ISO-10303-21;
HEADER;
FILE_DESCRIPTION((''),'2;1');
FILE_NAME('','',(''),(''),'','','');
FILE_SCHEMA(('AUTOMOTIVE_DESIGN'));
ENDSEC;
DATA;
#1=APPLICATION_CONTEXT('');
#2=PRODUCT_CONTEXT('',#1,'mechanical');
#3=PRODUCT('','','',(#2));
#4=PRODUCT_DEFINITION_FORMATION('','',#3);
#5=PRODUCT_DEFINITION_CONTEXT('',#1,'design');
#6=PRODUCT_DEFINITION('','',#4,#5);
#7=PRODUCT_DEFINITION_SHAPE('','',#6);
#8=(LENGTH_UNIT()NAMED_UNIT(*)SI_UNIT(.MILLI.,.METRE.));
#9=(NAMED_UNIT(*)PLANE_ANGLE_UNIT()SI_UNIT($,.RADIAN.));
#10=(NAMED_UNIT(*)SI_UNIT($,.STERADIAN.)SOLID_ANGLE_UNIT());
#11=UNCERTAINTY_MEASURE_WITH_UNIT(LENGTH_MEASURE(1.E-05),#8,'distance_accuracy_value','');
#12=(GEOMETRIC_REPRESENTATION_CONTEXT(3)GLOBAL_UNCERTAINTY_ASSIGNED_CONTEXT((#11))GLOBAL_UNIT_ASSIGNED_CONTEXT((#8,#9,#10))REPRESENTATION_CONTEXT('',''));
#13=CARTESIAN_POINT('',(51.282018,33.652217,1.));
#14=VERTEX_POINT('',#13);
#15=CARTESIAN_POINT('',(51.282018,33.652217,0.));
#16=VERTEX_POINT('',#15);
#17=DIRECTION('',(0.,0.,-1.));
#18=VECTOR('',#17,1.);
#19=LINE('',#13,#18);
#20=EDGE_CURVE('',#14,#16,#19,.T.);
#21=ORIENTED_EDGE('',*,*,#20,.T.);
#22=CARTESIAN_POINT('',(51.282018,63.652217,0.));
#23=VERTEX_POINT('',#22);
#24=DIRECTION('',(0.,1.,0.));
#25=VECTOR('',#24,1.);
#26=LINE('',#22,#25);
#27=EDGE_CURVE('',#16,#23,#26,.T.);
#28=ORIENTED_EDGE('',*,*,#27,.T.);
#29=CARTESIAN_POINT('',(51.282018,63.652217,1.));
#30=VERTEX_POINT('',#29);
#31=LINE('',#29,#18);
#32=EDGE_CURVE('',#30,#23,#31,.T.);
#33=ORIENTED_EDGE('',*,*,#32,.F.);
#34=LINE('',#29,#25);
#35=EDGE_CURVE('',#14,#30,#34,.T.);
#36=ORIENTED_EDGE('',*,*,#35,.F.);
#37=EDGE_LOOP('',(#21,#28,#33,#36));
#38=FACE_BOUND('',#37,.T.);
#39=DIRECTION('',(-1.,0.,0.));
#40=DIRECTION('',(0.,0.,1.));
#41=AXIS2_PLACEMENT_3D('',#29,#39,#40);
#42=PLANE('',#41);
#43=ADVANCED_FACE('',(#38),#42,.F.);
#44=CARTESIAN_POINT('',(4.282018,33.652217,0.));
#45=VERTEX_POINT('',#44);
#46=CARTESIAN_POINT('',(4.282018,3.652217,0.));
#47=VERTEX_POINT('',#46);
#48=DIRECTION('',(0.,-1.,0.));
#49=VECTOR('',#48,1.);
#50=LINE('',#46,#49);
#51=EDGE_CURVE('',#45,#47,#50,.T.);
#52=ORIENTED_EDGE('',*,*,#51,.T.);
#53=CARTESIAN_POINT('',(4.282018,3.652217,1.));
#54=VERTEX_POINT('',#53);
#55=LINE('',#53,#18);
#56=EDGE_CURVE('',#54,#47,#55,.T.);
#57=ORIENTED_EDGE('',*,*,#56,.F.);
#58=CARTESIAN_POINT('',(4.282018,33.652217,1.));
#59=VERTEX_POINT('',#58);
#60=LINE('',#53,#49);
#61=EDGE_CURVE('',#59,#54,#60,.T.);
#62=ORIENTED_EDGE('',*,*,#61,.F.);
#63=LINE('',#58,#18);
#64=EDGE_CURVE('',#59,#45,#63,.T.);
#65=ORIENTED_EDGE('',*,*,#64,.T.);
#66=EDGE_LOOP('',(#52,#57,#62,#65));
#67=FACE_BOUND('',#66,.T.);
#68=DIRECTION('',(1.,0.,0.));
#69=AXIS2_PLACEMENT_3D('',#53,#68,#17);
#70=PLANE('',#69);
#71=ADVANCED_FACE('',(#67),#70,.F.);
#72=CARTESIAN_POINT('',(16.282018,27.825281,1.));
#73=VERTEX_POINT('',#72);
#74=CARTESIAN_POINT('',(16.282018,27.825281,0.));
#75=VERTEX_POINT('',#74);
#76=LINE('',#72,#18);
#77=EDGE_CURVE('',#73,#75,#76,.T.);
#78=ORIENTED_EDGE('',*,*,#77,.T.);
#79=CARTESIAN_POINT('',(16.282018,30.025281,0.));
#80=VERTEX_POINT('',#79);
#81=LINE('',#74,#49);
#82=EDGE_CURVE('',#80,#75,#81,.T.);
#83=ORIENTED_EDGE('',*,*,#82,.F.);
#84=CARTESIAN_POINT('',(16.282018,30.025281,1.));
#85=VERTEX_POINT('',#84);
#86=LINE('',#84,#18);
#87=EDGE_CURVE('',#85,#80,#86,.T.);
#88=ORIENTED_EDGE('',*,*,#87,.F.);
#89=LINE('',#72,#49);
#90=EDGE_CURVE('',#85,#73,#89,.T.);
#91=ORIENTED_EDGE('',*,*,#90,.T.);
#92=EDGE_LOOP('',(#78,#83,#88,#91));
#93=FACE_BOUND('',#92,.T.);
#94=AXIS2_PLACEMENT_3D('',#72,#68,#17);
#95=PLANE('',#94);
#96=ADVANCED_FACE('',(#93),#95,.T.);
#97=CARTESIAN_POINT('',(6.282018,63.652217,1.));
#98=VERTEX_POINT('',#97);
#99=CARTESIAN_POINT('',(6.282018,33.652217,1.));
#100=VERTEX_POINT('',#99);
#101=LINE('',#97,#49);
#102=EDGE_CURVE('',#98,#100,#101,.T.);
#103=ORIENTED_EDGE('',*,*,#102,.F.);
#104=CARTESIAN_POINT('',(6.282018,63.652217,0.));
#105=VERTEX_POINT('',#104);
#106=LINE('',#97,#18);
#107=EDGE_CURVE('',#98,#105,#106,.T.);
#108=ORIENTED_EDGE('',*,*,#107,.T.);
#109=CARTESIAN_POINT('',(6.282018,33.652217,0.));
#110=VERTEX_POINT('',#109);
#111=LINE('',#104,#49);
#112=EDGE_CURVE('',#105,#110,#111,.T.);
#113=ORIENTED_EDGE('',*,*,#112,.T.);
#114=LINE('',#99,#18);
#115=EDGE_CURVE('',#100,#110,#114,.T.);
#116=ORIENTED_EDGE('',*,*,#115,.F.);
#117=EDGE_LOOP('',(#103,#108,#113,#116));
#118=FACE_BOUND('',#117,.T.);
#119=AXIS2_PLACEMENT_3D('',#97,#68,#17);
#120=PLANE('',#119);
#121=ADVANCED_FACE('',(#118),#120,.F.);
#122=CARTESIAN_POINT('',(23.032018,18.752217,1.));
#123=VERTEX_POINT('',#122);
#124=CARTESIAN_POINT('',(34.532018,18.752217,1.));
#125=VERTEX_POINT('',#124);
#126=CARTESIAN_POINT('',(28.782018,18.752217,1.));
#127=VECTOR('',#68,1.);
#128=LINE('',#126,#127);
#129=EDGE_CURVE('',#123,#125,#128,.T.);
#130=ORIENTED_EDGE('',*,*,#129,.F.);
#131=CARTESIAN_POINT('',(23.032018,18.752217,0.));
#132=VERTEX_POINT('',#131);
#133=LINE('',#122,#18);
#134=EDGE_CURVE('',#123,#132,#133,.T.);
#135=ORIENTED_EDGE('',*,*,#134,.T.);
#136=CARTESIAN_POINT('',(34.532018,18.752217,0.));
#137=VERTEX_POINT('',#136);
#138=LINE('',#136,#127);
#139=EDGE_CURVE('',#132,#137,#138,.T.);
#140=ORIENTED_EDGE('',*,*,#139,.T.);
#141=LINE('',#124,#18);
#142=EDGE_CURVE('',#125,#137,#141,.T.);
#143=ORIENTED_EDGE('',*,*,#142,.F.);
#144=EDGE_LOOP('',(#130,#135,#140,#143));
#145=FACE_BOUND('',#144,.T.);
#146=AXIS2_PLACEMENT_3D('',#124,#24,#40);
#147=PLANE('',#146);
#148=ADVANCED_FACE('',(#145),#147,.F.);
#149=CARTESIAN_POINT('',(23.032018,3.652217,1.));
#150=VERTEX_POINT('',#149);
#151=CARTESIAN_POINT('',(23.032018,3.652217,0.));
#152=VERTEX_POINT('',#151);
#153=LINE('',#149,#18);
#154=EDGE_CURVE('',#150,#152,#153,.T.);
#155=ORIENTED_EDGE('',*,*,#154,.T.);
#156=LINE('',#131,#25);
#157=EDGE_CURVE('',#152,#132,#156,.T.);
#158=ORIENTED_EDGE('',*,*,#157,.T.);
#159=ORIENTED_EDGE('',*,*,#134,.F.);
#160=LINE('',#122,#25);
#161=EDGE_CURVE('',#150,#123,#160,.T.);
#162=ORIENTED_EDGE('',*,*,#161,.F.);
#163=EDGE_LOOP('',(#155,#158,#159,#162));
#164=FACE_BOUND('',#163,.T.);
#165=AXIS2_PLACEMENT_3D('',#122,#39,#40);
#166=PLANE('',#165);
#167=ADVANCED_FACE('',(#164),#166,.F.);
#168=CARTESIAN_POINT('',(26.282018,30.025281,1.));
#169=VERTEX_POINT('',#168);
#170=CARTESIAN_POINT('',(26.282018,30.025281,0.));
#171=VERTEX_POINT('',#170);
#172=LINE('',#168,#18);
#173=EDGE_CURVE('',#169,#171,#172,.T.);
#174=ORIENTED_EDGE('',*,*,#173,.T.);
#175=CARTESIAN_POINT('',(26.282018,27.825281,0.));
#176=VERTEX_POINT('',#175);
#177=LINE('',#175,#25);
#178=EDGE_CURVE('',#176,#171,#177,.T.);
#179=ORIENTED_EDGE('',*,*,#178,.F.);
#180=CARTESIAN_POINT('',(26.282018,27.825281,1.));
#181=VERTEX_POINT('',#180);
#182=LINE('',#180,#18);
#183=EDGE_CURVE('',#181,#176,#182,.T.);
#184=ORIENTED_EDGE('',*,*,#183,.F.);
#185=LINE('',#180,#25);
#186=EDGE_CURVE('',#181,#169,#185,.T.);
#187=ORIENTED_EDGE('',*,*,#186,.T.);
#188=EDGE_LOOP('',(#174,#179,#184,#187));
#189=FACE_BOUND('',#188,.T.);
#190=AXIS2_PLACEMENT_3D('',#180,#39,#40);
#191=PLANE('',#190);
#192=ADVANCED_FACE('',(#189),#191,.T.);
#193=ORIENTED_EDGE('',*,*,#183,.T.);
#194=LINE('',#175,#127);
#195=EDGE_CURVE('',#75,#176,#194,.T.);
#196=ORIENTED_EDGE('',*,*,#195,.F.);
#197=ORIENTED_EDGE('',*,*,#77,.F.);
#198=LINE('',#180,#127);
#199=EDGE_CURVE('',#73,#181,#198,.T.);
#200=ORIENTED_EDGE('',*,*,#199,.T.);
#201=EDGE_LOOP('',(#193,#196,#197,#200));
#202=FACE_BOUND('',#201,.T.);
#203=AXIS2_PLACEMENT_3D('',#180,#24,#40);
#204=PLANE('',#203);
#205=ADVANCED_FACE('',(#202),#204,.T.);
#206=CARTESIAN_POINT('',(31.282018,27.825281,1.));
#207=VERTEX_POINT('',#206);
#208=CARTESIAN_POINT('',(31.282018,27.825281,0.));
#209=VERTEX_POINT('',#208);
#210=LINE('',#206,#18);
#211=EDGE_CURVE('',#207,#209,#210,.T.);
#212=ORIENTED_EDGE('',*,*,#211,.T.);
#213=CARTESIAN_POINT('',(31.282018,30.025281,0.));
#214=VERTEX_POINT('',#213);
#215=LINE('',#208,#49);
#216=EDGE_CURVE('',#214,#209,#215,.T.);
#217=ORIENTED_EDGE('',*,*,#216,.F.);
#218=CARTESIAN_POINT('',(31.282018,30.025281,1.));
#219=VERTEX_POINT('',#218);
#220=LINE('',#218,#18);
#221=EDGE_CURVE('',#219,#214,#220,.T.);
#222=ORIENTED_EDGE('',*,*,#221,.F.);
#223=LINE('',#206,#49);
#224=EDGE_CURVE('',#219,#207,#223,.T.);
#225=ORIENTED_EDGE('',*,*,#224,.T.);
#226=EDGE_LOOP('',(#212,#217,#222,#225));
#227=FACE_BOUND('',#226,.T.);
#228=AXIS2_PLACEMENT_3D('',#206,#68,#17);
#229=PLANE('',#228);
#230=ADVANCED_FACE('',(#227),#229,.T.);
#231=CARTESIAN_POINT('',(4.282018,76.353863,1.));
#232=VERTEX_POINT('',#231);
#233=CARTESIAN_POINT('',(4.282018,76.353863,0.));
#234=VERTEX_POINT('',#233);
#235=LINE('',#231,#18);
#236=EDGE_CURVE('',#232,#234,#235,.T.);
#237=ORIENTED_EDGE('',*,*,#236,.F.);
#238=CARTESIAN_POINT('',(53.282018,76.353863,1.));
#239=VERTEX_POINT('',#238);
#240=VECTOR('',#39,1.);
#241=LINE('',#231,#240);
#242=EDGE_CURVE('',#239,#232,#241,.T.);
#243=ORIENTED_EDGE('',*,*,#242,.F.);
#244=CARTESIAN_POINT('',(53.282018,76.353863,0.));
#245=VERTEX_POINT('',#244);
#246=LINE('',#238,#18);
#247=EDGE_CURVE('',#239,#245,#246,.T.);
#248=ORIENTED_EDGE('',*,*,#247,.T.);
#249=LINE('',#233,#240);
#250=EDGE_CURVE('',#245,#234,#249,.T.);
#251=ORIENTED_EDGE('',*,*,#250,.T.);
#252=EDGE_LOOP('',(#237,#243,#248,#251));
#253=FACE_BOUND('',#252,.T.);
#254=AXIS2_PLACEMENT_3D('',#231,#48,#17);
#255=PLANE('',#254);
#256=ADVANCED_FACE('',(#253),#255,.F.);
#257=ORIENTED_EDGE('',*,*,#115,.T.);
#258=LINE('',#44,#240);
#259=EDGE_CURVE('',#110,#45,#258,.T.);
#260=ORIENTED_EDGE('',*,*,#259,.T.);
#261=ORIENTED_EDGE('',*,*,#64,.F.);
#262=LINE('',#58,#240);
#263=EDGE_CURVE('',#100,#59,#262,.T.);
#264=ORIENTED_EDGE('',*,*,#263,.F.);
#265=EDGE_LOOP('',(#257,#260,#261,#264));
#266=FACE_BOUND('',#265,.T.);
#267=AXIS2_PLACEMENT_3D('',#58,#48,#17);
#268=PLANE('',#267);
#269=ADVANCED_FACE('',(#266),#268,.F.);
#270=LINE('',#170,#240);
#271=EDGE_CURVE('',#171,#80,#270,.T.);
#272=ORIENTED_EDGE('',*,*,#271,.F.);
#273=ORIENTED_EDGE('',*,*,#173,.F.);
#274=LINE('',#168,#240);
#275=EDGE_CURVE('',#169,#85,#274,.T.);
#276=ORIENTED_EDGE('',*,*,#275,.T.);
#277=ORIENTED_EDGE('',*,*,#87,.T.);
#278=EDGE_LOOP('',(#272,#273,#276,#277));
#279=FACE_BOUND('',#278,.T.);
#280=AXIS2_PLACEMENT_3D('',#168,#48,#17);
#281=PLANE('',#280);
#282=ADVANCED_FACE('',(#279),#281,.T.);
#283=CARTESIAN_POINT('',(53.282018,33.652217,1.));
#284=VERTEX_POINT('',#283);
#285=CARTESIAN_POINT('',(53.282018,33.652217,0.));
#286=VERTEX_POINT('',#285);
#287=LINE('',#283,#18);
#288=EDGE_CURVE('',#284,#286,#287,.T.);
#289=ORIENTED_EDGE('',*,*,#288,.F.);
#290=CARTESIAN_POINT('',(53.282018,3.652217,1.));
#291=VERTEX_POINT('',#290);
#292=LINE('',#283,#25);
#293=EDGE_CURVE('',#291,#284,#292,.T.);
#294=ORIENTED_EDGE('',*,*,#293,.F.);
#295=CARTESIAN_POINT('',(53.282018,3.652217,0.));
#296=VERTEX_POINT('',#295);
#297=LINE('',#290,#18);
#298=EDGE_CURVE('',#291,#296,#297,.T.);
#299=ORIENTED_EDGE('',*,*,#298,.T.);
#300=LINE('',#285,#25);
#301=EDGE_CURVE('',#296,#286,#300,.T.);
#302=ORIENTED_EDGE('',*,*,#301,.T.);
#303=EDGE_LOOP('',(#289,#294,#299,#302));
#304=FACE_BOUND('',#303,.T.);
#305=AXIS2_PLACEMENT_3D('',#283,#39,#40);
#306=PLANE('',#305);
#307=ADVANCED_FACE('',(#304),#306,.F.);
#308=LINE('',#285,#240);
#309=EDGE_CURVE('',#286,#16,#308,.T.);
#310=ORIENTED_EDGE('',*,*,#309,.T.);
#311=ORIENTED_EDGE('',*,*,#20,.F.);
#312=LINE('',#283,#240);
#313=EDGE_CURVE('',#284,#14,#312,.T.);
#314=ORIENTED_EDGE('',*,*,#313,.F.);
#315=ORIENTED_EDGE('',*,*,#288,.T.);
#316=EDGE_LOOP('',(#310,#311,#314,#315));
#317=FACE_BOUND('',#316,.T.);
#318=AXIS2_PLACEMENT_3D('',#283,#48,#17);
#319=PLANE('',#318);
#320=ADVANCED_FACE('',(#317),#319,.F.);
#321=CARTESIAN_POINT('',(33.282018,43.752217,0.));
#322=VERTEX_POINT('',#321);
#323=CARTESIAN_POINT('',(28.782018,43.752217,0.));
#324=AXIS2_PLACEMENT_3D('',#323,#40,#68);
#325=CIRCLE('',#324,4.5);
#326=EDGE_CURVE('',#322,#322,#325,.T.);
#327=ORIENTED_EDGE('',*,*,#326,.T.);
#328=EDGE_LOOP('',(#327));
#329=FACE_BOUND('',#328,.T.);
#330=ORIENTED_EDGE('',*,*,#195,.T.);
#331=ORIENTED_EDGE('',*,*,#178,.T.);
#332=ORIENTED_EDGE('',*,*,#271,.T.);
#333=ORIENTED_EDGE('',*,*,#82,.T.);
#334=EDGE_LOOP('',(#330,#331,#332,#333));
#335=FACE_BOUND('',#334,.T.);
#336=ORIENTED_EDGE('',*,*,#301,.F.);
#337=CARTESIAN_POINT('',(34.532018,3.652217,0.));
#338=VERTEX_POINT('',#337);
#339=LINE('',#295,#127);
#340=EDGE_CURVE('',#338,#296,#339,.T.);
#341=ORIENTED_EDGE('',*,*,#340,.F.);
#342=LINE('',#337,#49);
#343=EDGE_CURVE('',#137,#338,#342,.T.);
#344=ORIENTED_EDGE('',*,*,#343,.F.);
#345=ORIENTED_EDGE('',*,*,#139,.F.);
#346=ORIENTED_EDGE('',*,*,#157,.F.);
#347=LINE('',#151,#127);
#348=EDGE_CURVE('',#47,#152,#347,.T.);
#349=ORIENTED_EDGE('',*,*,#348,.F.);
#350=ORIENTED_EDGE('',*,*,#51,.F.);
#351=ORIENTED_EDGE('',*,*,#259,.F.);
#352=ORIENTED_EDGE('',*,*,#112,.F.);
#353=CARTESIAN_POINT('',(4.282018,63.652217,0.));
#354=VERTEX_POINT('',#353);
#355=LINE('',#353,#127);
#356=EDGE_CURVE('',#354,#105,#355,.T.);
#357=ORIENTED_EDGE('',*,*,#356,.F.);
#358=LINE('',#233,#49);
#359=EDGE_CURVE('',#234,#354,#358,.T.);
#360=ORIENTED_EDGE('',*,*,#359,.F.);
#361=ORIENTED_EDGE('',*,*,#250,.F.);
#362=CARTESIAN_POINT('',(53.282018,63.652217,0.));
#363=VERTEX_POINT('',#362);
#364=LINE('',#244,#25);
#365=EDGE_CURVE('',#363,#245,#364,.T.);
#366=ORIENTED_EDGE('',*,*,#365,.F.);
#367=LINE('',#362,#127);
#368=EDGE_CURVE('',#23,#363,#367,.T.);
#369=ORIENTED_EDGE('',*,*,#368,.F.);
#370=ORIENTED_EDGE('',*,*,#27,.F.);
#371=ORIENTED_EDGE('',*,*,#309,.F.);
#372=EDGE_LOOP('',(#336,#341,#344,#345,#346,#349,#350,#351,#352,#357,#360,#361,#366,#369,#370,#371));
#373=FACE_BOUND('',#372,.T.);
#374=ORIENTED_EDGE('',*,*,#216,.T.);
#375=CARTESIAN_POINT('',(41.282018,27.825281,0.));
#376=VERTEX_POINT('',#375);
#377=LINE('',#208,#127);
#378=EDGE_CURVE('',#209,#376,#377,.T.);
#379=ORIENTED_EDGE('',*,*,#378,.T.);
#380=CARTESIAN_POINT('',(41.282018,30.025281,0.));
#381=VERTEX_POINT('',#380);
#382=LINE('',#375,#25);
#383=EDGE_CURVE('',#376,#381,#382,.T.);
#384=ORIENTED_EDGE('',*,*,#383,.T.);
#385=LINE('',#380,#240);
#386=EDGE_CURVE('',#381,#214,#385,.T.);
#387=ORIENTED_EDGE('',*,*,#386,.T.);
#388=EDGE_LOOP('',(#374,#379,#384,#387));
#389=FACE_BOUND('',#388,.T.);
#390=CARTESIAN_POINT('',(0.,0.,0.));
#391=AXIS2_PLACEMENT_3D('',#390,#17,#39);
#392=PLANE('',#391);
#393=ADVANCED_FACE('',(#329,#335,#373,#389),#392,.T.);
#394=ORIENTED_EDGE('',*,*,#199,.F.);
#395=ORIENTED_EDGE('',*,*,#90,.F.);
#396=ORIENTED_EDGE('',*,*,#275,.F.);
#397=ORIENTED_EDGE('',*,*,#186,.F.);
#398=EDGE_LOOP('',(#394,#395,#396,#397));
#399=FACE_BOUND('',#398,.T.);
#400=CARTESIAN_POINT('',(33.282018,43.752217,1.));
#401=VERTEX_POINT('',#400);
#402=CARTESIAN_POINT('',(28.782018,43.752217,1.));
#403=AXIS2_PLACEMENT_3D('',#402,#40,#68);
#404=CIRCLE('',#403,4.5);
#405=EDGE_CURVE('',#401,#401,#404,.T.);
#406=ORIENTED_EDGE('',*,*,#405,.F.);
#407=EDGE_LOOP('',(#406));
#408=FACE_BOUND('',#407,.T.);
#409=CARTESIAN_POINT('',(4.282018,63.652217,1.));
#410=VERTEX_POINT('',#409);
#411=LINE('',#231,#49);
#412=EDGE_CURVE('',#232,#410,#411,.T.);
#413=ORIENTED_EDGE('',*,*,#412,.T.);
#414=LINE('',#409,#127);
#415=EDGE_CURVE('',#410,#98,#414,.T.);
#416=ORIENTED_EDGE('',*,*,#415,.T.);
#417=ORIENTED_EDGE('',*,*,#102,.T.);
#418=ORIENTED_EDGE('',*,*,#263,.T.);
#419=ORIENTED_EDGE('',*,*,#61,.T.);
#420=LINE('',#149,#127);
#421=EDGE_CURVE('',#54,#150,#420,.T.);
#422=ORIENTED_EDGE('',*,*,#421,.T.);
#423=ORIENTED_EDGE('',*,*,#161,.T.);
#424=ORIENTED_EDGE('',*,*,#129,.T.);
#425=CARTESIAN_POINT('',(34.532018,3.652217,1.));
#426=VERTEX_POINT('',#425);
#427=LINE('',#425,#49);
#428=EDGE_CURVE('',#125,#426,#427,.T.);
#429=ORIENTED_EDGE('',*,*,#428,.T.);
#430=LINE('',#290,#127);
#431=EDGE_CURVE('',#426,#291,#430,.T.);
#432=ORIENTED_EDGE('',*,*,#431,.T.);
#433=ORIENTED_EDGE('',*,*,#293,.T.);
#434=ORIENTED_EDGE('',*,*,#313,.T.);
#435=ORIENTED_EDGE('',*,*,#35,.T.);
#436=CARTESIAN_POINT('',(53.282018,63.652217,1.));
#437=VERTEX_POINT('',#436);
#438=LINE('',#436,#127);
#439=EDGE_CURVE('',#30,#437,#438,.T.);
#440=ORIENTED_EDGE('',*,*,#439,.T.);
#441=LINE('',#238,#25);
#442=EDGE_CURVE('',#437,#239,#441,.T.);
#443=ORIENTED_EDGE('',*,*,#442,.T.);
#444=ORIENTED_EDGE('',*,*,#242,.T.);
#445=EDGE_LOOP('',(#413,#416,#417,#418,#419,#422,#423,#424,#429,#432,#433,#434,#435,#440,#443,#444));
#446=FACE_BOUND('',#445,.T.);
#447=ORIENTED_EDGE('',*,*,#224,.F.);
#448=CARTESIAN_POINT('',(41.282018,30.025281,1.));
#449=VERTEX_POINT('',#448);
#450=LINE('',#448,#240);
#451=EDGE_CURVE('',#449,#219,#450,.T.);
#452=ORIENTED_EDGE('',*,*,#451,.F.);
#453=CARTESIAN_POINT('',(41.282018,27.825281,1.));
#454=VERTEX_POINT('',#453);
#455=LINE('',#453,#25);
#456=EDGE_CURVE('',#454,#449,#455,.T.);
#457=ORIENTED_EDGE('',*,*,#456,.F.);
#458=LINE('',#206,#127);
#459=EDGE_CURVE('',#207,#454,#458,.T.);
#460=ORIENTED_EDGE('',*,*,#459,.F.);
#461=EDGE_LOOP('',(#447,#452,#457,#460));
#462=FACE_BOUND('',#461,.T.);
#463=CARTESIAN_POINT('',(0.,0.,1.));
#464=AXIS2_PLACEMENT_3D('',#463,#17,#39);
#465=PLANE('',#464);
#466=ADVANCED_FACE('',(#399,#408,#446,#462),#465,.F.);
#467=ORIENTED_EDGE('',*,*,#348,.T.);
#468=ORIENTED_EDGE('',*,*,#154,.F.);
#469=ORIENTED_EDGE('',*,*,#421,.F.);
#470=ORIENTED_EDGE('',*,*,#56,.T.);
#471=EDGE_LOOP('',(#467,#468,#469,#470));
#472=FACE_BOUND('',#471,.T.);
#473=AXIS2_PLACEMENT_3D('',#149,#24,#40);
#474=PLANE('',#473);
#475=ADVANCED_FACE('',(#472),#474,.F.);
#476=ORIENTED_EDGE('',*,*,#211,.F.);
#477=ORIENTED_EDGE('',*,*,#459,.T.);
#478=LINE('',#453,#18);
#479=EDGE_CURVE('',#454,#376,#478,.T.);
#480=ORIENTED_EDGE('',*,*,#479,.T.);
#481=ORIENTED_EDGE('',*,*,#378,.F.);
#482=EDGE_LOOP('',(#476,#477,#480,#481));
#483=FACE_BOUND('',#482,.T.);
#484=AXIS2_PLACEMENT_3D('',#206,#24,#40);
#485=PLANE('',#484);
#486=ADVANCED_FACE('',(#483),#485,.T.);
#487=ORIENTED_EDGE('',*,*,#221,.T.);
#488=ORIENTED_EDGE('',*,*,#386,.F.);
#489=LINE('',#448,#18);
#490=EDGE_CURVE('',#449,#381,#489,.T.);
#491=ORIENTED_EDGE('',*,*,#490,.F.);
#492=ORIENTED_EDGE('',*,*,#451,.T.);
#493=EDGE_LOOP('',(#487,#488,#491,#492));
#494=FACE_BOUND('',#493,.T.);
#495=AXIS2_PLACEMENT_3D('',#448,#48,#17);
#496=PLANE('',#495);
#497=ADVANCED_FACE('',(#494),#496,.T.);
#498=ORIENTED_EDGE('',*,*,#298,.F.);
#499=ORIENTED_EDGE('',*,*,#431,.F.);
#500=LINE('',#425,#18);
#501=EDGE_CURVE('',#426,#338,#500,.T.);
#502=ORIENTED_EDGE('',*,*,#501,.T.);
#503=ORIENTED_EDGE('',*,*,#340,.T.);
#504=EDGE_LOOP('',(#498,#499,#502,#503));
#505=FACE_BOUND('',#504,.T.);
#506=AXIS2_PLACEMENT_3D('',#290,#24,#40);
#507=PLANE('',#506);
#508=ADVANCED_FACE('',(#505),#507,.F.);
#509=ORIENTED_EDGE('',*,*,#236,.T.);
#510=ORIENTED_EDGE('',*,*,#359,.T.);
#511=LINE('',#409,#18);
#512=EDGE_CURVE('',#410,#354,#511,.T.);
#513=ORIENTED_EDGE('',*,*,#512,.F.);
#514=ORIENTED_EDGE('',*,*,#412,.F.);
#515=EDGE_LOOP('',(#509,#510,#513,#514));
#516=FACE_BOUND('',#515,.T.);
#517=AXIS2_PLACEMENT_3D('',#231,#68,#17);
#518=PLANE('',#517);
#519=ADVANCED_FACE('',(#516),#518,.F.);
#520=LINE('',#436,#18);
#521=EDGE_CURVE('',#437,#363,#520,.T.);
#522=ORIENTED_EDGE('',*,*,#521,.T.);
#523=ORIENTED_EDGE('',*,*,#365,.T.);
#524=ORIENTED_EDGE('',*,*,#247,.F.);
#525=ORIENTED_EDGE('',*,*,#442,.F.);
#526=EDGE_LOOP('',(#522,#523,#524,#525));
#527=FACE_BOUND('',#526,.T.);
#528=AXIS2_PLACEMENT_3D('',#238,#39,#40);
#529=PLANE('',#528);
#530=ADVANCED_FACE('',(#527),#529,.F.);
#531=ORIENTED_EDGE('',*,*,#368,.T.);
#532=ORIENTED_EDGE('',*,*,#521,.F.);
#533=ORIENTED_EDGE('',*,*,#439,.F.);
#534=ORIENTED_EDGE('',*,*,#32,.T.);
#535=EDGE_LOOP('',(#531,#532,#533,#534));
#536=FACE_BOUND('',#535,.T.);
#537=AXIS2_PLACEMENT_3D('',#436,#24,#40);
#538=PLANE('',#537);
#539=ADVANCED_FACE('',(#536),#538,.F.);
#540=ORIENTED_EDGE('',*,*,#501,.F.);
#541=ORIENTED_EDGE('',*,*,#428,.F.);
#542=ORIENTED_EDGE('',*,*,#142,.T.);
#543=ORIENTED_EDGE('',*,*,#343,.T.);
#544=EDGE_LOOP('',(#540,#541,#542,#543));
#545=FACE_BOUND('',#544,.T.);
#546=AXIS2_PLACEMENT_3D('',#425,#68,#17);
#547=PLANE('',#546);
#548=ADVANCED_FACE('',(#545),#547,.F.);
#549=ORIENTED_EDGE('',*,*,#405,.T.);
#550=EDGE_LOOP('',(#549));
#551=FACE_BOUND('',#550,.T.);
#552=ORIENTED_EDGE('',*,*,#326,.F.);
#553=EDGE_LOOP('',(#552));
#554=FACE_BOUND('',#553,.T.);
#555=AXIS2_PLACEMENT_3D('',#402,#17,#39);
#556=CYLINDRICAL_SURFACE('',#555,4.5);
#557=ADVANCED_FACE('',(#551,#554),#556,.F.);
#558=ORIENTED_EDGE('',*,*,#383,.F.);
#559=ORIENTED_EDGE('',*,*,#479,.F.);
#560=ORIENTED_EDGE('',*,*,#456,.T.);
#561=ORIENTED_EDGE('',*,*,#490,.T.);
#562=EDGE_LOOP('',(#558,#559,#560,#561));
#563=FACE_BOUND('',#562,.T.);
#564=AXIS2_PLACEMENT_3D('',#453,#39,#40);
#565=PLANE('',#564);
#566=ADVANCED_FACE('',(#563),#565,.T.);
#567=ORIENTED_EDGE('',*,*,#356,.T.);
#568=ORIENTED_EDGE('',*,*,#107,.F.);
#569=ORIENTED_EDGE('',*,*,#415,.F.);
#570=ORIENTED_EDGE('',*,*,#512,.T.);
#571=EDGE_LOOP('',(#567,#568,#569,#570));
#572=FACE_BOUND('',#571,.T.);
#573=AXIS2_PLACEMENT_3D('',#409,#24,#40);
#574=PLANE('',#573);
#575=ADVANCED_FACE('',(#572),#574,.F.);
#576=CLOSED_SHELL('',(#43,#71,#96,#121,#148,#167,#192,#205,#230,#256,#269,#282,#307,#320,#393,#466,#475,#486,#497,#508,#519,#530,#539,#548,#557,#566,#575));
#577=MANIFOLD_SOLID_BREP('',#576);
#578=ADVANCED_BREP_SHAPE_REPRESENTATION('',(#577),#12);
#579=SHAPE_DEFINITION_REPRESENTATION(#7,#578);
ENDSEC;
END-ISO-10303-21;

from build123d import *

# Parameters (mm, degrees)
MODEL_R         = 4.5
MODEL_W         = 10
MODEL_H         = 2.2
EXTRUDE_1_DEPTH = 1


with BuildPart() as part:
    # Model → 凸台-拉伸1 (new body)
    with BuildSketch(Plane.XY):
        Polygon((4.28201841, 3.652217339), (4.28201841, 33.652217339), (6.28201841, 33.652217339), (6.28201841, 63.652217339), (4.28201841, 63.652217339), (4.28201841, 76.353862753), (53.28201841, 76.353862753), (53.28201841, 63.652217339), (51.28201841, 63.652217339), (51.28201841, 33.652217339), (53.28201841, 33.652217339), (53.28201841, 3.652217339), (34.53201841, 3.652217339), (34.53201841, 18.752217339), (28.78201841, 18.752217339), (23.03201841, 18.752217339), (23.03201841, 3.652217339), align=None)
        with Locations((28.78201841, 43.752217339)):
            Circle(MODEL_R, mode=Mode.SUBTRACT)
        with Locations((36.28201841, 28.925280735)):
            Rectangle(MODEL_W, MODEL_H, mode=Mode.SUBTRACT)
        with Locations((21.28201841, 28.925280735)):
            Rectangle(MODEL_W, MODEL_H, mode=Mode.SUBTRACT)
    extrude(amount=EXTRUDE_1_DEPTH)


solid = part.part
